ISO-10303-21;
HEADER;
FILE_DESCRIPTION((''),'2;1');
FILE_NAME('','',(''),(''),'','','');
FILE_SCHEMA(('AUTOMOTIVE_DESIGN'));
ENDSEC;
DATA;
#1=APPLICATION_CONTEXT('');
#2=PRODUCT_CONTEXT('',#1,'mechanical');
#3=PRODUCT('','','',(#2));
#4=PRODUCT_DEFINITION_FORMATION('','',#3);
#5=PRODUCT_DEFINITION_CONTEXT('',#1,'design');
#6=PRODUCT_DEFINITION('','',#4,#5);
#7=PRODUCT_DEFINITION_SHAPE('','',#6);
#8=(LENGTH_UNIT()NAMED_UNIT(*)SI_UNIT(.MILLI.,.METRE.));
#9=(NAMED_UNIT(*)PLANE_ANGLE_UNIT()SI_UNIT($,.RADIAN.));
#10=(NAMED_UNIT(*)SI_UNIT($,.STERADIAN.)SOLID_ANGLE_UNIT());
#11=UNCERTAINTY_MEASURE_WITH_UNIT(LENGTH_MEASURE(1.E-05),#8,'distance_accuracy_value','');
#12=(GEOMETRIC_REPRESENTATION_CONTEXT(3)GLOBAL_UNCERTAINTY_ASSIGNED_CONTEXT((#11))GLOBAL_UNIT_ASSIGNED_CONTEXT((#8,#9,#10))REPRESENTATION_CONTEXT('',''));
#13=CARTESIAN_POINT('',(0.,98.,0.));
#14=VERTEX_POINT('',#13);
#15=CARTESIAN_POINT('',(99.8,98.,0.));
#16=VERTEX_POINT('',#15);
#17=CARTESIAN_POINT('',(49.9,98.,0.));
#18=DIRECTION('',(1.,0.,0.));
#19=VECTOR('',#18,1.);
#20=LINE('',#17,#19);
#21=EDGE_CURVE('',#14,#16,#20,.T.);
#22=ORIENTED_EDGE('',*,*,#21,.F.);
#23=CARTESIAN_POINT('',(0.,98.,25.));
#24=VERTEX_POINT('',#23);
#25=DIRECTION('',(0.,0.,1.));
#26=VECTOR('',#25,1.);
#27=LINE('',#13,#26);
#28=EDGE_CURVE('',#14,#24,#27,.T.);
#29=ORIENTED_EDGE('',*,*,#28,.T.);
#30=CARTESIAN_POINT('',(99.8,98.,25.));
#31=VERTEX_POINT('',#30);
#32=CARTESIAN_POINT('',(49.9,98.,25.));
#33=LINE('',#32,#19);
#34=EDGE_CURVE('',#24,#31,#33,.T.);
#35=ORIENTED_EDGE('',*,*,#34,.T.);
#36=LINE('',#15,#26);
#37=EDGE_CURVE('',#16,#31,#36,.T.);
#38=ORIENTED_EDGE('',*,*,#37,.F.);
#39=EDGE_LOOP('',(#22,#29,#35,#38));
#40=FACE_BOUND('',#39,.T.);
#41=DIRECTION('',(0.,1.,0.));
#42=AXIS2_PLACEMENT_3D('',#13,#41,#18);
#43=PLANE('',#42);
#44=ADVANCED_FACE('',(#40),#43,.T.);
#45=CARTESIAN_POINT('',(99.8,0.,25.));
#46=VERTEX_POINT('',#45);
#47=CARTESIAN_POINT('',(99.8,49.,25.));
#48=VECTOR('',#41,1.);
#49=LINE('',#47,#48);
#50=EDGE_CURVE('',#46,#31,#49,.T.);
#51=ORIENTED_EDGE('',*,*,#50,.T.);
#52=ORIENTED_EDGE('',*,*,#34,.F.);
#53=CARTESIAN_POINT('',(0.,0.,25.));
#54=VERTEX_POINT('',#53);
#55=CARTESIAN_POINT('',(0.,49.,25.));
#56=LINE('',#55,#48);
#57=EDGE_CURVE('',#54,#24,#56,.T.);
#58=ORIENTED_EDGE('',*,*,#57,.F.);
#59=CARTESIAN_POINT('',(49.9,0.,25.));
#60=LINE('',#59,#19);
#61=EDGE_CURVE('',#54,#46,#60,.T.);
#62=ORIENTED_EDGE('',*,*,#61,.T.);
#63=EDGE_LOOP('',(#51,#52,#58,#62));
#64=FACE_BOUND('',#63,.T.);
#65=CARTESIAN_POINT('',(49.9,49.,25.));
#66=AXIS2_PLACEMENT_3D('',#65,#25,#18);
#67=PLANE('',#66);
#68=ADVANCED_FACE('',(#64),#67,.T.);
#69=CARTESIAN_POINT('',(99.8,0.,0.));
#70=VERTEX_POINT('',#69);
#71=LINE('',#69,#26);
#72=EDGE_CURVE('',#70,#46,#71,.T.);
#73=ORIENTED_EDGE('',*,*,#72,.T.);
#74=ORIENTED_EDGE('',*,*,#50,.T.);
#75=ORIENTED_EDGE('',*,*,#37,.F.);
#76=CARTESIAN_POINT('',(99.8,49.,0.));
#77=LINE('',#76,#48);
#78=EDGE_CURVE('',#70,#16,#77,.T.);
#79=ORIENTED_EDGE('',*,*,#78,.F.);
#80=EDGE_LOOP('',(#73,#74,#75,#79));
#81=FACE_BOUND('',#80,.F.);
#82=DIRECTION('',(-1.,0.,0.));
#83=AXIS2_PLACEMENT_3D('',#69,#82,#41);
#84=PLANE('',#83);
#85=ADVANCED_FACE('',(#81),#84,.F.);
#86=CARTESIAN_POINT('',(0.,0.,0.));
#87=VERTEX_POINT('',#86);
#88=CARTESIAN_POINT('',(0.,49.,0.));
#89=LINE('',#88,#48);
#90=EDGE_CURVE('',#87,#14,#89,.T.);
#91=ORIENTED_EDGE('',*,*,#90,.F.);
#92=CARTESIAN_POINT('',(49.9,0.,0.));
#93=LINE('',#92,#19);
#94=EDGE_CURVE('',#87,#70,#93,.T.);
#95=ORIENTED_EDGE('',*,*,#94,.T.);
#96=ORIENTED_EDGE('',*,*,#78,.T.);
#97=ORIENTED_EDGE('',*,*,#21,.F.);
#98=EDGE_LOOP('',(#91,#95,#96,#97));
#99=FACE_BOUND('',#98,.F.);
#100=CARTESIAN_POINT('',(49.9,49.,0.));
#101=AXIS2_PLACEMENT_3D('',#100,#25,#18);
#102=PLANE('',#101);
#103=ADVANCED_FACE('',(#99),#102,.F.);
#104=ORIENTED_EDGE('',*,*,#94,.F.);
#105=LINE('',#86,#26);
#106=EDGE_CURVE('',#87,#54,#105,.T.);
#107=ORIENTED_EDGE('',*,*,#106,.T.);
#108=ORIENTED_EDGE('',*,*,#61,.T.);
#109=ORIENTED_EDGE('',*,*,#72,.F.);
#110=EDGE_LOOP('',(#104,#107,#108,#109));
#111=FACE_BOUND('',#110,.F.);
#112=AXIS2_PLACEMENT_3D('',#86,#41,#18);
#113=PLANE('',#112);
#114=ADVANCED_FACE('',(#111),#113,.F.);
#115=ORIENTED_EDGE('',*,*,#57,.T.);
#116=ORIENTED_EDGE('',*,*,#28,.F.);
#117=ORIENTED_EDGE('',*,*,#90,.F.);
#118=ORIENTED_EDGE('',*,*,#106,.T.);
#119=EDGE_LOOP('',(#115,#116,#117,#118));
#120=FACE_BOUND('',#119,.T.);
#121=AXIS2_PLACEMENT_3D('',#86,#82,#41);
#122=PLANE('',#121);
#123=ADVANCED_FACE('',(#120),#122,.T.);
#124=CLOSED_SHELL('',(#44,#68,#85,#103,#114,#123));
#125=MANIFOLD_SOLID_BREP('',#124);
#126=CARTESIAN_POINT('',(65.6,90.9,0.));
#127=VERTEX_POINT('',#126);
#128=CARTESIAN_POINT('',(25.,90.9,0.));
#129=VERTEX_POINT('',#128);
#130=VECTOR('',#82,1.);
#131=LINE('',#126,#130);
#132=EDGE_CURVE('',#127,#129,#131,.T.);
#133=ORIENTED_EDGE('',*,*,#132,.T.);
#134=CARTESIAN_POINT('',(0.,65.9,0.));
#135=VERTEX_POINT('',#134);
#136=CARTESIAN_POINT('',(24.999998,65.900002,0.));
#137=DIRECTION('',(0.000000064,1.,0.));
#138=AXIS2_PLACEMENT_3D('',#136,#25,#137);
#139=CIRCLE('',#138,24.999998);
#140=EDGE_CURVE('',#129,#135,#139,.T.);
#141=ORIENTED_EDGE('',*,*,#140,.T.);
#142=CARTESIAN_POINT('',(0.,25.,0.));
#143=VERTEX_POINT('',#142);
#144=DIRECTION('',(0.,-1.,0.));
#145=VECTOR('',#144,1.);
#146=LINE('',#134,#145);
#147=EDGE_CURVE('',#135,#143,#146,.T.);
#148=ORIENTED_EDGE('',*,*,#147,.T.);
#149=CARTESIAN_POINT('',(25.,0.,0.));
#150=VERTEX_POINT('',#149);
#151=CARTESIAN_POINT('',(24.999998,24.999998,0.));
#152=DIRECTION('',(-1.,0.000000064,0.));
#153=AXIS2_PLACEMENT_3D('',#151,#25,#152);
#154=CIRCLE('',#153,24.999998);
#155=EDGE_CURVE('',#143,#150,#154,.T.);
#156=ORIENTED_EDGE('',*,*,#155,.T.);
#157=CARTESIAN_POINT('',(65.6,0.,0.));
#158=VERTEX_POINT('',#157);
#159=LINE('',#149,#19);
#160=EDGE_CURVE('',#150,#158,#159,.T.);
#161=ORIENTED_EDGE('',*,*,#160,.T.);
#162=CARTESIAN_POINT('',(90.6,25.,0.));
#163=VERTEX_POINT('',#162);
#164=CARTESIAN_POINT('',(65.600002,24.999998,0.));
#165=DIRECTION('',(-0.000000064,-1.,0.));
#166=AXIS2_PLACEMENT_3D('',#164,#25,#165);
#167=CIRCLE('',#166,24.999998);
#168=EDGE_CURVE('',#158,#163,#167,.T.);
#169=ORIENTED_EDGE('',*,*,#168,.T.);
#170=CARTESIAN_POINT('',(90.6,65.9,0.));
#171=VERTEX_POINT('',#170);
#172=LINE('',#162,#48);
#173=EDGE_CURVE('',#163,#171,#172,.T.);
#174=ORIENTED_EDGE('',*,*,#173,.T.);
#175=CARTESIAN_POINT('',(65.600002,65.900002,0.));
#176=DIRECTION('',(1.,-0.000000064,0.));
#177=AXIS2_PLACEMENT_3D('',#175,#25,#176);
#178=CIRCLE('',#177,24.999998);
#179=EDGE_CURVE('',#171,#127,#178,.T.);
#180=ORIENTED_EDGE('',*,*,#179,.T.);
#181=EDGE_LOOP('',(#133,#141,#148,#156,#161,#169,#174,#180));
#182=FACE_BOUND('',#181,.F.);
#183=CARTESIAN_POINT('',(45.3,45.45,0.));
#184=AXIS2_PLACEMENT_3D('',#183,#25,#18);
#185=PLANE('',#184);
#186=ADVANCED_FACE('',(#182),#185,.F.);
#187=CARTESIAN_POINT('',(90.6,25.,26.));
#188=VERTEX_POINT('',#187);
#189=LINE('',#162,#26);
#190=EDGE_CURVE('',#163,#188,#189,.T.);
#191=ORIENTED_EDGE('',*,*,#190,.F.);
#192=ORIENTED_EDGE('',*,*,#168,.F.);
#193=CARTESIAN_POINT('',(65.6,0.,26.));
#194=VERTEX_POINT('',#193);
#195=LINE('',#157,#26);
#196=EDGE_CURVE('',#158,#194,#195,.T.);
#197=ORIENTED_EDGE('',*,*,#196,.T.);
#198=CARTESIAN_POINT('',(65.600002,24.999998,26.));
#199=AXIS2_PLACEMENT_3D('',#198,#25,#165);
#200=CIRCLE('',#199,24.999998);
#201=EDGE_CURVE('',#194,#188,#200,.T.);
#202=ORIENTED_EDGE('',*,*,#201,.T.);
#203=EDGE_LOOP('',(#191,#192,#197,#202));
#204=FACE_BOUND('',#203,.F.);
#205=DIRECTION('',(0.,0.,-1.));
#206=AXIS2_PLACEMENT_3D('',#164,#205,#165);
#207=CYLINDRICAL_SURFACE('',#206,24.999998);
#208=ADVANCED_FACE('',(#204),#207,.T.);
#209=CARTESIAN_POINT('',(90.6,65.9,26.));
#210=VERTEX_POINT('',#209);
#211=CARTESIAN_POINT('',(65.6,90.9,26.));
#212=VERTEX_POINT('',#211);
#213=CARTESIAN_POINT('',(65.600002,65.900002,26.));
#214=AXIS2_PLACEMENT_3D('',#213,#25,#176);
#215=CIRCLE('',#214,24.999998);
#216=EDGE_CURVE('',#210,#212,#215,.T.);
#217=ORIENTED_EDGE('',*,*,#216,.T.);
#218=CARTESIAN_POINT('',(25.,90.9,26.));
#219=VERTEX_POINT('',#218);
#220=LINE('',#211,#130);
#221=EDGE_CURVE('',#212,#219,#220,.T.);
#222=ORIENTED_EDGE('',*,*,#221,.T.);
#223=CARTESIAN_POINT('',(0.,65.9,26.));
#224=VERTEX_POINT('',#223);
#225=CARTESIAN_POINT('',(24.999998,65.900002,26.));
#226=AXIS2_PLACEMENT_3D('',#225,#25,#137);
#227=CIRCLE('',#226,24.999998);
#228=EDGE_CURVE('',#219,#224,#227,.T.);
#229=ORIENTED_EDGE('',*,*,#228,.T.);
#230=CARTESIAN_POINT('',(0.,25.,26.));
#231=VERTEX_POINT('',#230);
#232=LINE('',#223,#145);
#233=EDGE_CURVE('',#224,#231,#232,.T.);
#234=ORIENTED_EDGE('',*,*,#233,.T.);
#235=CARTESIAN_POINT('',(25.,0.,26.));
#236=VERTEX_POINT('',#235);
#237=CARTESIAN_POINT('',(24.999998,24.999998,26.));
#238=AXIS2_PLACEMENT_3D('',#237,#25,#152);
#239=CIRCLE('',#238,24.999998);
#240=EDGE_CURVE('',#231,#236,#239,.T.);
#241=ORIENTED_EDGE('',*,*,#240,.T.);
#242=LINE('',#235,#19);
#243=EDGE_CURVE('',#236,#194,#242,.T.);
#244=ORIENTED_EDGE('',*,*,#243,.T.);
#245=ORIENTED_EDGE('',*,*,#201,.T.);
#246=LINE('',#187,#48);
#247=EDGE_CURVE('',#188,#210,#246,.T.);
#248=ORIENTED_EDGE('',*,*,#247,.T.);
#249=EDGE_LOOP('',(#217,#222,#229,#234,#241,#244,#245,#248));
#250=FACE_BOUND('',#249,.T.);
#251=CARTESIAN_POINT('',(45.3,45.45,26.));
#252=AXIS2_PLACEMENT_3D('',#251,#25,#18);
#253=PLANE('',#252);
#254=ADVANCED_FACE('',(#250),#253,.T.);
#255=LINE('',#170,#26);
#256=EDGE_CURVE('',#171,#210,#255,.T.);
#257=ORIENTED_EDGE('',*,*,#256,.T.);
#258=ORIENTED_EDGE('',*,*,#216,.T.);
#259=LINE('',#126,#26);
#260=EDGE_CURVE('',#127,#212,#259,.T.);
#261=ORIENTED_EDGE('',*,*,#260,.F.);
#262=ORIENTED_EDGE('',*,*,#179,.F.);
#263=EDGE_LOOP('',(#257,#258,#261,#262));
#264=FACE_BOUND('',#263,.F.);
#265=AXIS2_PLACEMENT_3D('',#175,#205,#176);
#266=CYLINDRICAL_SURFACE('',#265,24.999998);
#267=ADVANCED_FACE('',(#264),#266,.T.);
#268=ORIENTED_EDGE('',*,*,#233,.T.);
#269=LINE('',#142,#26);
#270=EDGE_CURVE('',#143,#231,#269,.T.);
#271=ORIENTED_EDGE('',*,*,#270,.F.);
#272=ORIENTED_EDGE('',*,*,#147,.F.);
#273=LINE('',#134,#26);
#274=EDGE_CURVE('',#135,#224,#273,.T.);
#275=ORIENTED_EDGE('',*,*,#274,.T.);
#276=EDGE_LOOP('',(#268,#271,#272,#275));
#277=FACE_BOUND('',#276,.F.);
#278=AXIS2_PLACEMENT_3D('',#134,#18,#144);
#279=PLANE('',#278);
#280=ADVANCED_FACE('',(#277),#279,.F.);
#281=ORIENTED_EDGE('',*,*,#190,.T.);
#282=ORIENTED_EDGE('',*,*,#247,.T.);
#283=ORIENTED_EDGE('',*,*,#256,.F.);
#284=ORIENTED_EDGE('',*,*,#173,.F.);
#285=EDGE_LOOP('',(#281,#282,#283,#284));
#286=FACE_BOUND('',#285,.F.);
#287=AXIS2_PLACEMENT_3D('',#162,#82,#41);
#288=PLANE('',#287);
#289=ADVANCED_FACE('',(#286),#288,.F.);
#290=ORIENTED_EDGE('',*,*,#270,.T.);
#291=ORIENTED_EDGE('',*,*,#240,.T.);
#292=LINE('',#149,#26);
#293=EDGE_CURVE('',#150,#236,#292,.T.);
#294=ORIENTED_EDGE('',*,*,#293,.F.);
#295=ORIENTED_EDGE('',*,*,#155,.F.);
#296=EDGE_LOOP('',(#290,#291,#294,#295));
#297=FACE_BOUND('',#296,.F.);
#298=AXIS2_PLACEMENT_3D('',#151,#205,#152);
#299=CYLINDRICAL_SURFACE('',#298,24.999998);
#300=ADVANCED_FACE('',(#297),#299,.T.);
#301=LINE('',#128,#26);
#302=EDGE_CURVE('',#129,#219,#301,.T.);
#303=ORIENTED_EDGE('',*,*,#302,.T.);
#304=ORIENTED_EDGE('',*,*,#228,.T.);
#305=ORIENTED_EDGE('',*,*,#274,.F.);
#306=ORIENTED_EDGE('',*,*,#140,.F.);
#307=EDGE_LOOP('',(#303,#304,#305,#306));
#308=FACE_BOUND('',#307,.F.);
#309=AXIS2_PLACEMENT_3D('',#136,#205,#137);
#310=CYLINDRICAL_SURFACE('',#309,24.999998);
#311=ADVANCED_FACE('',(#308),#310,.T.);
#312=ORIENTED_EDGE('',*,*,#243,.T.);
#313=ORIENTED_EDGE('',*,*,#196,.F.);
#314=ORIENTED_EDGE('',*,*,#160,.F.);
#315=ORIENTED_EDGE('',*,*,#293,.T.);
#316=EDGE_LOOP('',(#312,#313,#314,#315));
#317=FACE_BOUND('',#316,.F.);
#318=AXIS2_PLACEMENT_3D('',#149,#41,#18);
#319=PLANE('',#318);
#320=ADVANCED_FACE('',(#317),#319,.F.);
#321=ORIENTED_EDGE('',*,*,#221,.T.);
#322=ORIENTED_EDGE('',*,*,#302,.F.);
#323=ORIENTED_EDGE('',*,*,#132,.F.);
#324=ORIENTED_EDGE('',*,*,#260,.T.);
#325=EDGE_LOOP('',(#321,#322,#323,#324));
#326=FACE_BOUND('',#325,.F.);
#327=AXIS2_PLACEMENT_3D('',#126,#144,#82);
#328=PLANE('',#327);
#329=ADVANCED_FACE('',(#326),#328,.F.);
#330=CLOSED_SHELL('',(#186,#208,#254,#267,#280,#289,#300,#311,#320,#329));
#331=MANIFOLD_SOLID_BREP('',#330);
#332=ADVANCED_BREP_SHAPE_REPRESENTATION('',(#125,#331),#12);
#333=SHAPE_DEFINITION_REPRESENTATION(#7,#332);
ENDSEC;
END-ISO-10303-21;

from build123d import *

# Parameters (mm, degrees)
SKETCH_W     = 99.8
SKETCH_H     = 98
PAD_DEPTH    = 25
PAD001_DEPTH = 26


with BuildPart() as body:
    # Sketch → Pad (new body)
    with BuildSketch(Plane.XY):
        with Locations((49.9, 49)):
            Rectangle(SKETCH_W, SKETCH_H)
    extrude(amount=PAD_DEPTH)


with BuildPart() as body001:
    # Sketch001 → Pad001 (new body)
    with BuildSketch(Plane.XY):
        with BuildLine():
            Line((25, 0), (65.6, 0))
            ThreePointArc((65.6, 0), (83.27767, 7.32233), (90.6, 25))
            Line((90.6, 25), (90.6, 65.9))
            ThreePointArc((90.6, 65.9), (83.27767, 83.57767), (65.6, 90.9))
            Line((65.6, 90.9), (25, 90.9))
            ThreePointArc((25, 90.9), (7.32233, 83.57767), (0, 65.9))
            Line((0, 65.9), (0, 25))
            ThreePointArc((0, 25), (7.32233, 7.32233), (25, 0))
        make_face()
    extrude(amount=PAD001_DEPTH)


solid = Compound([body.part, body001.part])
